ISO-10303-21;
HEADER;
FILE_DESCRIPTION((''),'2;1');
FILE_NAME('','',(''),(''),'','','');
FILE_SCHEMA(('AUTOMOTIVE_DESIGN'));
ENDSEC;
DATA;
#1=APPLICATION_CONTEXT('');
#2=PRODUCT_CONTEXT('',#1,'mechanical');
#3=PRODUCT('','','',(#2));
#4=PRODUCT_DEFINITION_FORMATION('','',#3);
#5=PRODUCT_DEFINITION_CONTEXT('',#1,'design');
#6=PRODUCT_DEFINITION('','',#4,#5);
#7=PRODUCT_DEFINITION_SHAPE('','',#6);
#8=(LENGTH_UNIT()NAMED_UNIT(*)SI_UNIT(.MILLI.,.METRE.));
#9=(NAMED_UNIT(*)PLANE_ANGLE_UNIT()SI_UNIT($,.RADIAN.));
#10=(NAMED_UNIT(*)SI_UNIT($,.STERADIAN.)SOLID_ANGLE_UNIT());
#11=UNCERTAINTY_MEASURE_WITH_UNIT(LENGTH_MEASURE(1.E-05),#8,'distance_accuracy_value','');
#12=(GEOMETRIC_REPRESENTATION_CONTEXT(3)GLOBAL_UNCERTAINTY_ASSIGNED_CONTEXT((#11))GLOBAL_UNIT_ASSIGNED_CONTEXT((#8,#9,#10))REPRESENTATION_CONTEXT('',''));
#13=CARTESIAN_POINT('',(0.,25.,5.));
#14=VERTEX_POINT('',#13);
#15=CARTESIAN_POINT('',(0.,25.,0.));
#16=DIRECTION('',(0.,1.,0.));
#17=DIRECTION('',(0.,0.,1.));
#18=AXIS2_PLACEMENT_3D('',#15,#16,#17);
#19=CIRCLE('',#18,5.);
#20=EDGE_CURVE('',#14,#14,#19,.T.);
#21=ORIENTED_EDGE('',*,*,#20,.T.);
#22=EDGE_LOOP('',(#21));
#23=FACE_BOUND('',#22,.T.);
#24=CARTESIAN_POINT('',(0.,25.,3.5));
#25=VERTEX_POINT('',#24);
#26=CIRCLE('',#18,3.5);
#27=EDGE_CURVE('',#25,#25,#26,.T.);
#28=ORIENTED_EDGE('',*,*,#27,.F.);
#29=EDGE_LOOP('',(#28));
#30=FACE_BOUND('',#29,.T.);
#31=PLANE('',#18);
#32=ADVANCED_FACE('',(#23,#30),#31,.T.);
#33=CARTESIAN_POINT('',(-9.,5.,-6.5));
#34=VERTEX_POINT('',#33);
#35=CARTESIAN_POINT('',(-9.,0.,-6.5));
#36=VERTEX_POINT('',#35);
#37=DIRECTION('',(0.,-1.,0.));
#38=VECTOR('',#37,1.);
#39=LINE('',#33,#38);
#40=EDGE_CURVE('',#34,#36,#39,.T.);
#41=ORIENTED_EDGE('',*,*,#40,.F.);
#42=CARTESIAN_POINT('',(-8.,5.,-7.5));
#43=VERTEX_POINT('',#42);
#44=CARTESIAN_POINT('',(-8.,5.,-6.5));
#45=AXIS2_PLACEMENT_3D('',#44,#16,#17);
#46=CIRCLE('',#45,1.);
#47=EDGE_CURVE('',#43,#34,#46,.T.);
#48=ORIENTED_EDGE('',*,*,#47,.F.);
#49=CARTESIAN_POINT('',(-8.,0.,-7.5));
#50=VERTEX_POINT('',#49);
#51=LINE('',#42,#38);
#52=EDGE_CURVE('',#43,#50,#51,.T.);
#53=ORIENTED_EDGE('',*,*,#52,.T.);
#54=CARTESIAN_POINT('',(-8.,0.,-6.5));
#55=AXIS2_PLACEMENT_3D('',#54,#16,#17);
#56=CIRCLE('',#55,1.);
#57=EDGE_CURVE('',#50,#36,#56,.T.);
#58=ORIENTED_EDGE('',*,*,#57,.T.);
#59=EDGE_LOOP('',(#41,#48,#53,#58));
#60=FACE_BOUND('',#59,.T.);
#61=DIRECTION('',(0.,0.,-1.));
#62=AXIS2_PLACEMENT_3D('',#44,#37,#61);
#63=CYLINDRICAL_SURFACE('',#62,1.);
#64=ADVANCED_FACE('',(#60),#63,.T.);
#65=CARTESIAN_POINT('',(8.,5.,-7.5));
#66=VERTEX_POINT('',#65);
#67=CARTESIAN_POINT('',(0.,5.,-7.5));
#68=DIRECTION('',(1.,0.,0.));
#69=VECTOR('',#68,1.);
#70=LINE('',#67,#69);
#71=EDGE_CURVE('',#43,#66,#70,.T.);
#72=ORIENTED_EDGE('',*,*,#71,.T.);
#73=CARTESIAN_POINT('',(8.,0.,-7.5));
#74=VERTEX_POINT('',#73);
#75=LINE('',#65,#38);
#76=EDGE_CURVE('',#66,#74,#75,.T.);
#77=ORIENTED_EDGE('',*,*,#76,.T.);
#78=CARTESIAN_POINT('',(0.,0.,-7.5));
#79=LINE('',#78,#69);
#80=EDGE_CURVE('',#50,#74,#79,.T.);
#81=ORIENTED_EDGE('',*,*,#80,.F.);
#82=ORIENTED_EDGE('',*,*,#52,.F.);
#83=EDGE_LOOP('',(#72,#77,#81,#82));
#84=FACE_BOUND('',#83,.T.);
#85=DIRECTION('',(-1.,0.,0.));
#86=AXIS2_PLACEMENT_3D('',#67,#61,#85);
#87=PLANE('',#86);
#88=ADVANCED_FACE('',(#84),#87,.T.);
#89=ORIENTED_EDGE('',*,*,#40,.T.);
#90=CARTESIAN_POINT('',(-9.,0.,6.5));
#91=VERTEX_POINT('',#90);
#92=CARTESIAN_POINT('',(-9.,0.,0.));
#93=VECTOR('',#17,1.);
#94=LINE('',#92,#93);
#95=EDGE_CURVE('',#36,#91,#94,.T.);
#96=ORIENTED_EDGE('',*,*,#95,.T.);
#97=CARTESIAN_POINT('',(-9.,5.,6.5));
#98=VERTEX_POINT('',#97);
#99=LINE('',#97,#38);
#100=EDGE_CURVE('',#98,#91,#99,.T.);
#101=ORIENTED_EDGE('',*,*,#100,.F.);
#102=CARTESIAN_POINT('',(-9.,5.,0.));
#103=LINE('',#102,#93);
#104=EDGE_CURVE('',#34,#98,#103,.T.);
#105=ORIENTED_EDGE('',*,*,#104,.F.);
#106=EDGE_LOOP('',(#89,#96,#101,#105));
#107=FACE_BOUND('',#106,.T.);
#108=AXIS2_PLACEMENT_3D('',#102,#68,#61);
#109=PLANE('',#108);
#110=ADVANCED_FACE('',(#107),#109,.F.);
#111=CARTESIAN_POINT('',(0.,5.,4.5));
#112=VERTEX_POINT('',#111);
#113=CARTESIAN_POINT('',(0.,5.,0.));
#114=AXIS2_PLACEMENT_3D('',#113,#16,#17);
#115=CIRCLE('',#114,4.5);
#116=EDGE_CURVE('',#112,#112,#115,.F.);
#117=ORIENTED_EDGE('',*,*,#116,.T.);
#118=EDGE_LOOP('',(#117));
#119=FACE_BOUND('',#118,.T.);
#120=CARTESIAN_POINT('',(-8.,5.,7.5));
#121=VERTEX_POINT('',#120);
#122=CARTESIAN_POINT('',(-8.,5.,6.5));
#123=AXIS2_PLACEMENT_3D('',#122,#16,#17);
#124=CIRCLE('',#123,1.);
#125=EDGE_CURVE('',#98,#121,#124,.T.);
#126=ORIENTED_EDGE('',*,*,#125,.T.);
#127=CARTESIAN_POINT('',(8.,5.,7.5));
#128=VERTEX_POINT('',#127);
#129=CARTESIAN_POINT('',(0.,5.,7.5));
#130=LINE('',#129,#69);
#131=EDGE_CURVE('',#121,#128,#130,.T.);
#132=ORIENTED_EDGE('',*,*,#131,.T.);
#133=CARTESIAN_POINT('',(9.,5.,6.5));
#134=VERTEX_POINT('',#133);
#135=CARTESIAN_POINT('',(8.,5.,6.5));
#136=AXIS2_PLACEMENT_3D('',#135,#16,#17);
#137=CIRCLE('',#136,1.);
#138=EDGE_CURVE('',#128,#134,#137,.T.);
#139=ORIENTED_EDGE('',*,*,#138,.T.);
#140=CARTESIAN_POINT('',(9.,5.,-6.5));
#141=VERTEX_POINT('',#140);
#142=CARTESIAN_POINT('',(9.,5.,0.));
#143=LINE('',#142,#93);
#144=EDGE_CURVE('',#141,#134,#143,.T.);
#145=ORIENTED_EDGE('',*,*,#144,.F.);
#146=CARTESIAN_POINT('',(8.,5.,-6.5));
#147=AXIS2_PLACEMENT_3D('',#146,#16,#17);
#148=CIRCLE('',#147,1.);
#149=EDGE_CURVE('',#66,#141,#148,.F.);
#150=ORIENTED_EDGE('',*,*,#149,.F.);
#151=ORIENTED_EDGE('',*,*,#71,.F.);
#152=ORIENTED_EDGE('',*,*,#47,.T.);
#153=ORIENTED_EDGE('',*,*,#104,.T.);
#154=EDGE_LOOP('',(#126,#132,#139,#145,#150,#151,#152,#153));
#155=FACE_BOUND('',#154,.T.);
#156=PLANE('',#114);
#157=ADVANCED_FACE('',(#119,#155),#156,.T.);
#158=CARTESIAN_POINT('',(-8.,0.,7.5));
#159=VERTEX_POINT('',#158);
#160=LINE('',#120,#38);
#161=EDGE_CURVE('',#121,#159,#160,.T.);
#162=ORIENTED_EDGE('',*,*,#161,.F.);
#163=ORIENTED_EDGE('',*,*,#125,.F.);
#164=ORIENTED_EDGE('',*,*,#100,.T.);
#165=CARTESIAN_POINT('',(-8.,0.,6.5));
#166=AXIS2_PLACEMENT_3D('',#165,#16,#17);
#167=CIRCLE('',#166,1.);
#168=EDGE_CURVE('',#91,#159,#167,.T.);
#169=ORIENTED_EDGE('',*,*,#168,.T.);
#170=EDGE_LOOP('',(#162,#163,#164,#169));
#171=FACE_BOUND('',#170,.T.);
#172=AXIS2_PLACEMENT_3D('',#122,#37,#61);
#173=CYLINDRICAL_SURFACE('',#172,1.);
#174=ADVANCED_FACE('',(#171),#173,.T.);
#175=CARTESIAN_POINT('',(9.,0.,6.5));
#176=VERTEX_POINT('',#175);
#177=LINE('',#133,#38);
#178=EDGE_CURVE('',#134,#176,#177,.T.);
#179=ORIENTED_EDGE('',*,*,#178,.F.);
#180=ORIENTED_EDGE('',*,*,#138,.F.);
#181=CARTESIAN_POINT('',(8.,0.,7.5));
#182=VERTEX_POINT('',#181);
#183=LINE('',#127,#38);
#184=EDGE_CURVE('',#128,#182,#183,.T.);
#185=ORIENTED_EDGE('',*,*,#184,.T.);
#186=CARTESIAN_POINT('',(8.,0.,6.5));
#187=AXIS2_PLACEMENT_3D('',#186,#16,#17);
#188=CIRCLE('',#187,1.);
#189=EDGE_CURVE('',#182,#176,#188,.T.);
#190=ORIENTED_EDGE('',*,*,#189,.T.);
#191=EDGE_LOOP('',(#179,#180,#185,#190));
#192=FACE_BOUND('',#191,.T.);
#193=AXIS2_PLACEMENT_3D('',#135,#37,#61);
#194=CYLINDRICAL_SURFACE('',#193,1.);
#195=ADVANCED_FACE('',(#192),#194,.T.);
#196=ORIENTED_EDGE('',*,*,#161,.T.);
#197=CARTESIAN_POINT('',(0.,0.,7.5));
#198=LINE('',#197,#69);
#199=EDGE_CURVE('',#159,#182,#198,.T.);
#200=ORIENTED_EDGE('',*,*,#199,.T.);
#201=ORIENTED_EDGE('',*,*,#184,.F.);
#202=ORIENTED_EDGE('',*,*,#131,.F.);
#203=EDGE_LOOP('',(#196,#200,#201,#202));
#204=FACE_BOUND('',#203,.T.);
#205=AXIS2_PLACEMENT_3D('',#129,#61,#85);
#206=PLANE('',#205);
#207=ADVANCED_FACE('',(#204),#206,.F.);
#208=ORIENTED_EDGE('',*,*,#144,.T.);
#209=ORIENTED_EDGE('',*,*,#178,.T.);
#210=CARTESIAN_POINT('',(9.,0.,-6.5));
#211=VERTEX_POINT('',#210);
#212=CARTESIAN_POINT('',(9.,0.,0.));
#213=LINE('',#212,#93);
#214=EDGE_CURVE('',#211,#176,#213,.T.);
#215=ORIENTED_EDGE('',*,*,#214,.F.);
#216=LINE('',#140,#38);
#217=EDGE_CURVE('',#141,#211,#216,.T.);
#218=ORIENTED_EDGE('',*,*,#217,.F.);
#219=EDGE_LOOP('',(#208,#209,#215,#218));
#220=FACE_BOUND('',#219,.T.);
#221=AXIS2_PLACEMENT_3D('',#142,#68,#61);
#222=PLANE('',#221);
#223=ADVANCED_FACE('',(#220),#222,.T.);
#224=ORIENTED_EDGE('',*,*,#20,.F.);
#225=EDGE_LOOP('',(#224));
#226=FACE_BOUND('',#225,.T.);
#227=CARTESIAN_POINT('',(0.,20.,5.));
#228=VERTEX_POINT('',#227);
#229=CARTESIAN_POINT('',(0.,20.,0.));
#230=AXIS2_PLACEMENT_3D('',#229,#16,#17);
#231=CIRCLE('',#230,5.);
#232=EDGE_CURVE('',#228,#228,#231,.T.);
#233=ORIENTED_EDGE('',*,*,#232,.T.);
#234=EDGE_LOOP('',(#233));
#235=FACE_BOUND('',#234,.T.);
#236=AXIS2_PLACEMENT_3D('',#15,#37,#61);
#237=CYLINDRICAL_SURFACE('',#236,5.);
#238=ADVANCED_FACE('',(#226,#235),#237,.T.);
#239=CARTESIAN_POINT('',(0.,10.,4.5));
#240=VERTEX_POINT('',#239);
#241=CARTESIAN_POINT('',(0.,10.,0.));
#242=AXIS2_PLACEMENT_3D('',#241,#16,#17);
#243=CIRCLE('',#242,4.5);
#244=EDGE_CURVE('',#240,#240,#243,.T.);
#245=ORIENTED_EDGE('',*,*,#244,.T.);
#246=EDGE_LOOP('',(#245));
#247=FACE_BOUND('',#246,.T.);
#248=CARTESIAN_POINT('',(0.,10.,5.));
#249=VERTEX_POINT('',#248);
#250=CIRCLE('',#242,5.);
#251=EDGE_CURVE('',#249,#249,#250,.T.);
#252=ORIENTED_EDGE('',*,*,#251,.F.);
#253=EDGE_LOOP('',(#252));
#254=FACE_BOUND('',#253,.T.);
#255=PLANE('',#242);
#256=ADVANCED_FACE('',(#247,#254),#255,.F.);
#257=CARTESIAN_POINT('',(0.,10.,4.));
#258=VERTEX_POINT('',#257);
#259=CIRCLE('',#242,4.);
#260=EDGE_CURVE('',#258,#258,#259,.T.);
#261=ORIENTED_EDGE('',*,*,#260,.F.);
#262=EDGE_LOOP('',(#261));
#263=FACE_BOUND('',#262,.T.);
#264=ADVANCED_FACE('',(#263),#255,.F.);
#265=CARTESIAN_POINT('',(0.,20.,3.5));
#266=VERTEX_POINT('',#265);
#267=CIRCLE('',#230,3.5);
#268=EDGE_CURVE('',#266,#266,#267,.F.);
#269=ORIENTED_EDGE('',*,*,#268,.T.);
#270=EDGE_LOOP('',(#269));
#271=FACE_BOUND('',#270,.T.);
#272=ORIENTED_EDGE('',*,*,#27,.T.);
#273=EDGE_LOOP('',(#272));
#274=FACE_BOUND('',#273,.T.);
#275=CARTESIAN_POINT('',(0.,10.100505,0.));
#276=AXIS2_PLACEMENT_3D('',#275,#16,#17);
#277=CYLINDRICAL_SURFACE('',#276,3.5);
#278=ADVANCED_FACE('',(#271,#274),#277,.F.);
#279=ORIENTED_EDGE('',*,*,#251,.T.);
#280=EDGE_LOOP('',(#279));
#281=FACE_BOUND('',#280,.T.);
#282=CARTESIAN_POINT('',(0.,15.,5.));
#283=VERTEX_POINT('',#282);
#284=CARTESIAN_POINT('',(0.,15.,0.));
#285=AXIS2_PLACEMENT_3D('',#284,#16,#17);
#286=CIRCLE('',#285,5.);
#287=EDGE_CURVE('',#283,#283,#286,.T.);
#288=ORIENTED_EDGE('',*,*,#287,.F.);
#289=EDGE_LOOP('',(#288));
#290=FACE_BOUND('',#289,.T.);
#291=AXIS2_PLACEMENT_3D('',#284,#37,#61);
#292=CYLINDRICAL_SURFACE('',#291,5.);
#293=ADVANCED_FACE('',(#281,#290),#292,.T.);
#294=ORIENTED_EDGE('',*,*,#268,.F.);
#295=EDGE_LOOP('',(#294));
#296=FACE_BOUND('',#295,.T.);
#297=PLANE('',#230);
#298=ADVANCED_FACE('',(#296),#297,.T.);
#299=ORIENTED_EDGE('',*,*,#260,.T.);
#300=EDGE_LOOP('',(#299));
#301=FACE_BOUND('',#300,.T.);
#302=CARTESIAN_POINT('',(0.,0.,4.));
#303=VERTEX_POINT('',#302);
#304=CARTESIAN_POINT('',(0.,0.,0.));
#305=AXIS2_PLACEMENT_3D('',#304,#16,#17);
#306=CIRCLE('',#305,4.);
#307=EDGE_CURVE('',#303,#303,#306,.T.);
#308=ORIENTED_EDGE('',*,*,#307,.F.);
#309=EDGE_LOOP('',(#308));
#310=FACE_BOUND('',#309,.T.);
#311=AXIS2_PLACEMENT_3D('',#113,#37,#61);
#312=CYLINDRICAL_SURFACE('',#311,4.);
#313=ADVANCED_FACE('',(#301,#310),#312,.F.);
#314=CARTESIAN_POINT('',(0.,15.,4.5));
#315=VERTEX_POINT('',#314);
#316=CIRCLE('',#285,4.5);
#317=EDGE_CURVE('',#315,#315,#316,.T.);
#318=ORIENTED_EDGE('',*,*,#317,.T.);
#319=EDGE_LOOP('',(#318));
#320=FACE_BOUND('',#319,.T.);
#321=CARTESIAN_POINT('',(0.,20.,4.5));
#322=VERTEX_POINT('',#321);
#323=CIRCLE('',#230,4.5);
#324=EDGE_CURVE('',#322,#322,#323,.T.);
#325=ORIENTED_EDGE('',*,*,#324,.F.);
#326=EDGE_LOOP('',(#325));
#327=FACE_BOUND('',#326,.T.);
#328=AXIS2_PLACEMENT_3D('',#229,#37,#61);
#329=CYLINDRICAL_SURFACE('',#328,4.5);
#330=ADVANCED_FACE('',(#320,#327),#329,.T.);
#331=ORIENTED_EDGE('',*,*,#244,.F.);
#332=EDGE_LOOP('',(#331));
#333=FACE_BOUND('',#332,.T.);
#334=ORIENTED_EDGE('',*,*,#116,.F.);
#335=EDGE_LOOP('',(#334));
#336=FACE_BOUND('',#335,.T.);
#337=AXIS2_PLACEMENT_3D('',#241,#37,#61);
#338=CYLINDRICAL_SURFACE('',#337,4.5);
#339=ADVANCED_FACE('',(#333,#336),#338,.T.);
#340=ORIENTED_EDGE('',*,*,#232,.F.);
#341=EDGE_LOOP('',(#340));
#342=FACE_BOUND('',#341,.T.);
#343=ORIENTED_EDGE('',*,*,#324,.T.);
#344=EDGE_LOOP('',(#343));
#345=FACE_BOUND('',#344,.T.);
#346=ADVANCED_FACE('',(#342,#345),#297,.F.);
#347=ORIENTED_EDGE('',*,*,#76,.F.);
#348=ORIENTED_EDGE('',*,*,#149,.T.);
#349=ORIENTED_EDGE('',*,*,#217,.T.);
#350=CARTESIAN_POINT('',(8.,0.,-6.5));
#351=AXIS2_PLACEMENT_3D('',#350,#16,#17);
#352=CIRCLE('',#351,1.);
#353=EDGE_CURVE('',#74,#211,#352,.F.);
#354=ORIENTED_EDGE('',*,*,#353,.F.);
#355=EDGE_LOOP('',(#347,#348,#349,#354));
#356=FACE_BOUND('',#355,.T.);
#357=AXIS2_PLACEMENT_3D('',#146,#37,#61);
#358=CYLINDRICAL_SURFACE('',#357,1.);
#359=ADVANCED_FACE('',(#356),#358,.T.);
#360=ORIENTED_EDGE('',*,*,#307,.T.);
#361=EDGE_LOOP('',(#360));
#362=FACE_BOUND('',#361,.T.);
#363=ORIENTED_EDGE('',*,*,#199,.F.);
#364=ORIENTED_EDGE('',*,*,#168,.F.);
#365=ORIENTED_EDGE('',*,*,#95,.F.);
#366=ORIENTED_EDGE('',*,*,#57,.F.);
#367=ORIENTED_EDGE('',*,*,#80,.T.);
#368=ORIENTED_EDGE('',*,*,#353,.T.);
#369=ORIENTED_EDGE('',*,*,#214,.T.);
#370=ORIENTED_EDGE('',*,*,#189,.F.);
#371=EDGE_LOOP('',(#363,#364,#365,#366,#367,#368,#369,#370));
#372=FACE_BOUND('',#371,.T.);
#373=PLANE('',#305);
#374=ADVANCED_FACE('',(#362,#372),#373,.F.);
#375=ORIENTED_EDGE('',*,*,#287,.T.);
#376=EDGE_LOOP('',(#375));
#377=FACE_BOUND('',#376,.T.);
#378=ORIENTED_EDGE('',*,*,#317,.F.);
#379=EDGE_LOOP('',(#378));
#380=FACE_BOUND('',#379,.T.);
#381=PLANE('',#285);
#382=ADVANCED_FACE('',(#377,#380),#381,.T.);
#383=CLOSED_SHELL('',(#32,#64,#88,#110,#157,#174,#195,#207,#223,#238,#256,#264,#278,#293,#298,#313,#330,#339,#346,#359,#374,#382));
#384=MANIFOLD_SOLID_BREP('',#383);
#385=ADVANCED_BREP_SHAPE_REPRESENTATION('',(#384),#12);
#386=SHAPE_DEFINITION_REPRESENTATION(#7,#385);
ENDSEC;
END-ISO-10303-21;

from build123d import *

# Parameters (mm, degrees)
SKETCH1_R           = 4.5
SKETCH1_R_2         = 4
BOSS_EXTRUDE1_DEPTH = 5
SKETCH1_5_R         = 4
CUT_EXTRUDE2_DEPTH  = 13.737739203
SKETCH1_6_R         = 4.5
SKETCH1_6_R_2       = 4
BOSS_EXTRUDE4_DEPTH = 10
SKETCH3_R           = 5
BOSS_EXTRUDE5_DEPTH = 5
SKETCH4_R           = 4.5
BOSS_EXTRUDE6_DEPTH = 5
SKETCH5_R           = 5
BOSS_EXTRUDE7_DEPTH = 5
SKETCH6_R           = 3.5
CUT_EXTRUDE3_DEPTH  = 5


with BuildPart() as part:
    # Sketch1 → Boss-Extrude1 (new body)
    # profile 1 of 5: a face of its own
    with BuildSketch(Plane(origin=(0, 0, 0), x_dir=(1, 0, 0), z_dir=(0, 1, 0))):
        with BuildLine():
            Line((-8, -7.5), (8, -7.5))
            ThreePointArc((8, -7.5), (8.707106781, -7.207106781), (9, -6.5))
            Line((9, -6.5), (9, 6.5))
            ThreePointArc((9, 6.5), (8.707106781, 7.207106781), (8, 7.5))
            Line((8, 7.5), (-8, 7.5))
            ThreePointArc((-8, 7.5), (-8.707106781, 7.207106781), (-9, 6.5))
            Line((-9, 6.5), (-9, -6.5))
            ThreePointArc((-9, -6.5), (-8.707106781, -7.207106781), (-8, -7.5))
        make_face()
        Circle(SKETCH1_R, mode=Mode.SUBTRACT)
        with BuildLine():
            Line((4.5, -5), (4.5, 5))
            ThreePointArc((4.5, 5), (6, 6.5), (7.5, 5))
            Line((7.5, 5), (7.5, -5))
            ThreePointArc((7.5, -5), (6, -6.5), (4.5, -5))
        make_face(mode=Mode.SUBTRACT)
        with BuildLine():
            Line((-4.5, -5), (-4.5, 5))
            ThreePointArc((-4.5, 5), (-6, 6.5), (-7.5, 5))
            Line((-7.5, 5), (-7.5, -5))
            ThreePointArc((-7.5, -5), (-6, -6.5), (-4.5, -5))
        make_face(mode=Mode.SUBTRACT)
    # profile 2 of 5: a face of its own
    with BuildSketch(Plane(origin=(0, 0, 0), x_dir=(1, 0, 0), z_dir=(0, 1, 0))):
        with BuildLine():
            ThreePointArc((-7.5, 5), (-6, 6.5), (-4.5, 5))
            Line((-4.5, 5), (-4.5, -5))
            ThreePointArc((-4.5, -5), (-6, -6.5), (-7.5, -5))
            Line((-7.5, -5), (-7.5, 5))
        make_face()
    # profile 3 of 5: a face of its own
    with BuildSketch(Plane(origin=(0, 0, 0), x_dir=(1, 0, 0), z_dir=(0, 1, 0))):
        Circle(SKETCH1_R)
        Circle(SKETCH1_R_2, mode=Mode.SUBTRACT)
    # profile 4 of 5: a face of its own
    with BuildSketch(Plane(origin=(0, 0, 0), x_dir=(1, 0, 0), z_dir=(0, 1, 0))):
        Circle(SKETCH1_R_2)
    # profile 5 of 5: a face of its own
    with BuildSketch(Plane(origin=(0, 0, 0), x_dir=(1, 0, 0), z_dir=(0, 1, 0))):
        with BuildLine():
            Line((7.5, -5), (7.5, 5))
            ThreePointArc((7.5, 5), (6, 6.5), (4.5, 5))
            Line((4.5, 5), (4.5, -5))
            ThreePointArc((4.5, -5), (6, -6.5), (7.5, -5))
        make_face()
    extrude(amount=BOSS_EXTRUDE1_DEPTH)

    # Sketch1<5> → Cut-Extrude2 (cut, through all)
    with BuildSketch(Plane(origin=(0, 0, 0), x_dir=(1, 0, 0), z_dir=(0, 1, 0))):
        with Locations(Location((0, 0, 0), (0, 0, 270))):
            Circle(SKETCH1_5_R)
    extrude(amount=CUT_EXTRUDE2_DEPTH, mode=Mode.SUBTRACT)

    # Sketch1<6> → Boss-Extrude4 (add)
    with BuildSketch(Plane(origin=(0, 0, 0), x_dir=(1, 0, 0), z_dir=(0, 1, 0))):
        with Locations(Location((0, 0, 0), (0, 0, 270))):
            Circle(SKETCH1_6_R)
        with Locations(Location((0, 0, 0), (0, 0, 270))):
            Circle(SKETCH1_6_R_2, mode=Mode.SUBTRACT)
    extrude(amount=BOSS_EXTRUDE4_DEPTH)

    # Sketch3 → Boss-Extrude5 (add)
    with BuildSketch(Plane(origin=(0, 10, 0), x_dir=(1, 0, 0), z_dir=(0, 1, 0))):
        with Locations(Location((0, 0, 0), (0, 0, 270))):
            Circle(SKETCH3_R)
    extrude(amount=BOSS_EXTRUDE5_DEPTH)

    # Sketch4 → Boss-Extrude6 (add)
    with BuildSketch(Plane(origin=(0, 15, 0), x_dir=(1, 0, 0), z_dir=(0, 1, 0))):
        with Locations(Location((0, 0, 0), (0, 0, 270))):
            Circle(SKETCH4_R)
    extrude(amount=BOSS_EXTRUDE6_DEPTH)

    # Sketch5 → Boss-Extrude7 (add)
    with BuildSketch(Plane(origin=(0, 20, 0), x_dir=(1, 0, 0), z_dir=(0, 1, 0))):
        with Locations(Location((0, 0, 0), (0, 0, 270))):
            Circle(SKETCH5_R)
    extrude(amount=BOSS_EXTRUDE7_DEPTH)

    # Sketch6 → Cut-Extrude3 (cut)
    with BuildSketch(Plane(origin=(0, 25, 0), x_dir=(1, 0, 0), z_dir=(0, 1, 0))):
        with Locations(Location((0, 0, 0), (0, 0, 270))):
            Circle(SKETCH6_R)
    extrude(amount=-CUT_EXTRUDE3_DEPTH, mode=Mode.SUBTRACT)


solid = part.part
